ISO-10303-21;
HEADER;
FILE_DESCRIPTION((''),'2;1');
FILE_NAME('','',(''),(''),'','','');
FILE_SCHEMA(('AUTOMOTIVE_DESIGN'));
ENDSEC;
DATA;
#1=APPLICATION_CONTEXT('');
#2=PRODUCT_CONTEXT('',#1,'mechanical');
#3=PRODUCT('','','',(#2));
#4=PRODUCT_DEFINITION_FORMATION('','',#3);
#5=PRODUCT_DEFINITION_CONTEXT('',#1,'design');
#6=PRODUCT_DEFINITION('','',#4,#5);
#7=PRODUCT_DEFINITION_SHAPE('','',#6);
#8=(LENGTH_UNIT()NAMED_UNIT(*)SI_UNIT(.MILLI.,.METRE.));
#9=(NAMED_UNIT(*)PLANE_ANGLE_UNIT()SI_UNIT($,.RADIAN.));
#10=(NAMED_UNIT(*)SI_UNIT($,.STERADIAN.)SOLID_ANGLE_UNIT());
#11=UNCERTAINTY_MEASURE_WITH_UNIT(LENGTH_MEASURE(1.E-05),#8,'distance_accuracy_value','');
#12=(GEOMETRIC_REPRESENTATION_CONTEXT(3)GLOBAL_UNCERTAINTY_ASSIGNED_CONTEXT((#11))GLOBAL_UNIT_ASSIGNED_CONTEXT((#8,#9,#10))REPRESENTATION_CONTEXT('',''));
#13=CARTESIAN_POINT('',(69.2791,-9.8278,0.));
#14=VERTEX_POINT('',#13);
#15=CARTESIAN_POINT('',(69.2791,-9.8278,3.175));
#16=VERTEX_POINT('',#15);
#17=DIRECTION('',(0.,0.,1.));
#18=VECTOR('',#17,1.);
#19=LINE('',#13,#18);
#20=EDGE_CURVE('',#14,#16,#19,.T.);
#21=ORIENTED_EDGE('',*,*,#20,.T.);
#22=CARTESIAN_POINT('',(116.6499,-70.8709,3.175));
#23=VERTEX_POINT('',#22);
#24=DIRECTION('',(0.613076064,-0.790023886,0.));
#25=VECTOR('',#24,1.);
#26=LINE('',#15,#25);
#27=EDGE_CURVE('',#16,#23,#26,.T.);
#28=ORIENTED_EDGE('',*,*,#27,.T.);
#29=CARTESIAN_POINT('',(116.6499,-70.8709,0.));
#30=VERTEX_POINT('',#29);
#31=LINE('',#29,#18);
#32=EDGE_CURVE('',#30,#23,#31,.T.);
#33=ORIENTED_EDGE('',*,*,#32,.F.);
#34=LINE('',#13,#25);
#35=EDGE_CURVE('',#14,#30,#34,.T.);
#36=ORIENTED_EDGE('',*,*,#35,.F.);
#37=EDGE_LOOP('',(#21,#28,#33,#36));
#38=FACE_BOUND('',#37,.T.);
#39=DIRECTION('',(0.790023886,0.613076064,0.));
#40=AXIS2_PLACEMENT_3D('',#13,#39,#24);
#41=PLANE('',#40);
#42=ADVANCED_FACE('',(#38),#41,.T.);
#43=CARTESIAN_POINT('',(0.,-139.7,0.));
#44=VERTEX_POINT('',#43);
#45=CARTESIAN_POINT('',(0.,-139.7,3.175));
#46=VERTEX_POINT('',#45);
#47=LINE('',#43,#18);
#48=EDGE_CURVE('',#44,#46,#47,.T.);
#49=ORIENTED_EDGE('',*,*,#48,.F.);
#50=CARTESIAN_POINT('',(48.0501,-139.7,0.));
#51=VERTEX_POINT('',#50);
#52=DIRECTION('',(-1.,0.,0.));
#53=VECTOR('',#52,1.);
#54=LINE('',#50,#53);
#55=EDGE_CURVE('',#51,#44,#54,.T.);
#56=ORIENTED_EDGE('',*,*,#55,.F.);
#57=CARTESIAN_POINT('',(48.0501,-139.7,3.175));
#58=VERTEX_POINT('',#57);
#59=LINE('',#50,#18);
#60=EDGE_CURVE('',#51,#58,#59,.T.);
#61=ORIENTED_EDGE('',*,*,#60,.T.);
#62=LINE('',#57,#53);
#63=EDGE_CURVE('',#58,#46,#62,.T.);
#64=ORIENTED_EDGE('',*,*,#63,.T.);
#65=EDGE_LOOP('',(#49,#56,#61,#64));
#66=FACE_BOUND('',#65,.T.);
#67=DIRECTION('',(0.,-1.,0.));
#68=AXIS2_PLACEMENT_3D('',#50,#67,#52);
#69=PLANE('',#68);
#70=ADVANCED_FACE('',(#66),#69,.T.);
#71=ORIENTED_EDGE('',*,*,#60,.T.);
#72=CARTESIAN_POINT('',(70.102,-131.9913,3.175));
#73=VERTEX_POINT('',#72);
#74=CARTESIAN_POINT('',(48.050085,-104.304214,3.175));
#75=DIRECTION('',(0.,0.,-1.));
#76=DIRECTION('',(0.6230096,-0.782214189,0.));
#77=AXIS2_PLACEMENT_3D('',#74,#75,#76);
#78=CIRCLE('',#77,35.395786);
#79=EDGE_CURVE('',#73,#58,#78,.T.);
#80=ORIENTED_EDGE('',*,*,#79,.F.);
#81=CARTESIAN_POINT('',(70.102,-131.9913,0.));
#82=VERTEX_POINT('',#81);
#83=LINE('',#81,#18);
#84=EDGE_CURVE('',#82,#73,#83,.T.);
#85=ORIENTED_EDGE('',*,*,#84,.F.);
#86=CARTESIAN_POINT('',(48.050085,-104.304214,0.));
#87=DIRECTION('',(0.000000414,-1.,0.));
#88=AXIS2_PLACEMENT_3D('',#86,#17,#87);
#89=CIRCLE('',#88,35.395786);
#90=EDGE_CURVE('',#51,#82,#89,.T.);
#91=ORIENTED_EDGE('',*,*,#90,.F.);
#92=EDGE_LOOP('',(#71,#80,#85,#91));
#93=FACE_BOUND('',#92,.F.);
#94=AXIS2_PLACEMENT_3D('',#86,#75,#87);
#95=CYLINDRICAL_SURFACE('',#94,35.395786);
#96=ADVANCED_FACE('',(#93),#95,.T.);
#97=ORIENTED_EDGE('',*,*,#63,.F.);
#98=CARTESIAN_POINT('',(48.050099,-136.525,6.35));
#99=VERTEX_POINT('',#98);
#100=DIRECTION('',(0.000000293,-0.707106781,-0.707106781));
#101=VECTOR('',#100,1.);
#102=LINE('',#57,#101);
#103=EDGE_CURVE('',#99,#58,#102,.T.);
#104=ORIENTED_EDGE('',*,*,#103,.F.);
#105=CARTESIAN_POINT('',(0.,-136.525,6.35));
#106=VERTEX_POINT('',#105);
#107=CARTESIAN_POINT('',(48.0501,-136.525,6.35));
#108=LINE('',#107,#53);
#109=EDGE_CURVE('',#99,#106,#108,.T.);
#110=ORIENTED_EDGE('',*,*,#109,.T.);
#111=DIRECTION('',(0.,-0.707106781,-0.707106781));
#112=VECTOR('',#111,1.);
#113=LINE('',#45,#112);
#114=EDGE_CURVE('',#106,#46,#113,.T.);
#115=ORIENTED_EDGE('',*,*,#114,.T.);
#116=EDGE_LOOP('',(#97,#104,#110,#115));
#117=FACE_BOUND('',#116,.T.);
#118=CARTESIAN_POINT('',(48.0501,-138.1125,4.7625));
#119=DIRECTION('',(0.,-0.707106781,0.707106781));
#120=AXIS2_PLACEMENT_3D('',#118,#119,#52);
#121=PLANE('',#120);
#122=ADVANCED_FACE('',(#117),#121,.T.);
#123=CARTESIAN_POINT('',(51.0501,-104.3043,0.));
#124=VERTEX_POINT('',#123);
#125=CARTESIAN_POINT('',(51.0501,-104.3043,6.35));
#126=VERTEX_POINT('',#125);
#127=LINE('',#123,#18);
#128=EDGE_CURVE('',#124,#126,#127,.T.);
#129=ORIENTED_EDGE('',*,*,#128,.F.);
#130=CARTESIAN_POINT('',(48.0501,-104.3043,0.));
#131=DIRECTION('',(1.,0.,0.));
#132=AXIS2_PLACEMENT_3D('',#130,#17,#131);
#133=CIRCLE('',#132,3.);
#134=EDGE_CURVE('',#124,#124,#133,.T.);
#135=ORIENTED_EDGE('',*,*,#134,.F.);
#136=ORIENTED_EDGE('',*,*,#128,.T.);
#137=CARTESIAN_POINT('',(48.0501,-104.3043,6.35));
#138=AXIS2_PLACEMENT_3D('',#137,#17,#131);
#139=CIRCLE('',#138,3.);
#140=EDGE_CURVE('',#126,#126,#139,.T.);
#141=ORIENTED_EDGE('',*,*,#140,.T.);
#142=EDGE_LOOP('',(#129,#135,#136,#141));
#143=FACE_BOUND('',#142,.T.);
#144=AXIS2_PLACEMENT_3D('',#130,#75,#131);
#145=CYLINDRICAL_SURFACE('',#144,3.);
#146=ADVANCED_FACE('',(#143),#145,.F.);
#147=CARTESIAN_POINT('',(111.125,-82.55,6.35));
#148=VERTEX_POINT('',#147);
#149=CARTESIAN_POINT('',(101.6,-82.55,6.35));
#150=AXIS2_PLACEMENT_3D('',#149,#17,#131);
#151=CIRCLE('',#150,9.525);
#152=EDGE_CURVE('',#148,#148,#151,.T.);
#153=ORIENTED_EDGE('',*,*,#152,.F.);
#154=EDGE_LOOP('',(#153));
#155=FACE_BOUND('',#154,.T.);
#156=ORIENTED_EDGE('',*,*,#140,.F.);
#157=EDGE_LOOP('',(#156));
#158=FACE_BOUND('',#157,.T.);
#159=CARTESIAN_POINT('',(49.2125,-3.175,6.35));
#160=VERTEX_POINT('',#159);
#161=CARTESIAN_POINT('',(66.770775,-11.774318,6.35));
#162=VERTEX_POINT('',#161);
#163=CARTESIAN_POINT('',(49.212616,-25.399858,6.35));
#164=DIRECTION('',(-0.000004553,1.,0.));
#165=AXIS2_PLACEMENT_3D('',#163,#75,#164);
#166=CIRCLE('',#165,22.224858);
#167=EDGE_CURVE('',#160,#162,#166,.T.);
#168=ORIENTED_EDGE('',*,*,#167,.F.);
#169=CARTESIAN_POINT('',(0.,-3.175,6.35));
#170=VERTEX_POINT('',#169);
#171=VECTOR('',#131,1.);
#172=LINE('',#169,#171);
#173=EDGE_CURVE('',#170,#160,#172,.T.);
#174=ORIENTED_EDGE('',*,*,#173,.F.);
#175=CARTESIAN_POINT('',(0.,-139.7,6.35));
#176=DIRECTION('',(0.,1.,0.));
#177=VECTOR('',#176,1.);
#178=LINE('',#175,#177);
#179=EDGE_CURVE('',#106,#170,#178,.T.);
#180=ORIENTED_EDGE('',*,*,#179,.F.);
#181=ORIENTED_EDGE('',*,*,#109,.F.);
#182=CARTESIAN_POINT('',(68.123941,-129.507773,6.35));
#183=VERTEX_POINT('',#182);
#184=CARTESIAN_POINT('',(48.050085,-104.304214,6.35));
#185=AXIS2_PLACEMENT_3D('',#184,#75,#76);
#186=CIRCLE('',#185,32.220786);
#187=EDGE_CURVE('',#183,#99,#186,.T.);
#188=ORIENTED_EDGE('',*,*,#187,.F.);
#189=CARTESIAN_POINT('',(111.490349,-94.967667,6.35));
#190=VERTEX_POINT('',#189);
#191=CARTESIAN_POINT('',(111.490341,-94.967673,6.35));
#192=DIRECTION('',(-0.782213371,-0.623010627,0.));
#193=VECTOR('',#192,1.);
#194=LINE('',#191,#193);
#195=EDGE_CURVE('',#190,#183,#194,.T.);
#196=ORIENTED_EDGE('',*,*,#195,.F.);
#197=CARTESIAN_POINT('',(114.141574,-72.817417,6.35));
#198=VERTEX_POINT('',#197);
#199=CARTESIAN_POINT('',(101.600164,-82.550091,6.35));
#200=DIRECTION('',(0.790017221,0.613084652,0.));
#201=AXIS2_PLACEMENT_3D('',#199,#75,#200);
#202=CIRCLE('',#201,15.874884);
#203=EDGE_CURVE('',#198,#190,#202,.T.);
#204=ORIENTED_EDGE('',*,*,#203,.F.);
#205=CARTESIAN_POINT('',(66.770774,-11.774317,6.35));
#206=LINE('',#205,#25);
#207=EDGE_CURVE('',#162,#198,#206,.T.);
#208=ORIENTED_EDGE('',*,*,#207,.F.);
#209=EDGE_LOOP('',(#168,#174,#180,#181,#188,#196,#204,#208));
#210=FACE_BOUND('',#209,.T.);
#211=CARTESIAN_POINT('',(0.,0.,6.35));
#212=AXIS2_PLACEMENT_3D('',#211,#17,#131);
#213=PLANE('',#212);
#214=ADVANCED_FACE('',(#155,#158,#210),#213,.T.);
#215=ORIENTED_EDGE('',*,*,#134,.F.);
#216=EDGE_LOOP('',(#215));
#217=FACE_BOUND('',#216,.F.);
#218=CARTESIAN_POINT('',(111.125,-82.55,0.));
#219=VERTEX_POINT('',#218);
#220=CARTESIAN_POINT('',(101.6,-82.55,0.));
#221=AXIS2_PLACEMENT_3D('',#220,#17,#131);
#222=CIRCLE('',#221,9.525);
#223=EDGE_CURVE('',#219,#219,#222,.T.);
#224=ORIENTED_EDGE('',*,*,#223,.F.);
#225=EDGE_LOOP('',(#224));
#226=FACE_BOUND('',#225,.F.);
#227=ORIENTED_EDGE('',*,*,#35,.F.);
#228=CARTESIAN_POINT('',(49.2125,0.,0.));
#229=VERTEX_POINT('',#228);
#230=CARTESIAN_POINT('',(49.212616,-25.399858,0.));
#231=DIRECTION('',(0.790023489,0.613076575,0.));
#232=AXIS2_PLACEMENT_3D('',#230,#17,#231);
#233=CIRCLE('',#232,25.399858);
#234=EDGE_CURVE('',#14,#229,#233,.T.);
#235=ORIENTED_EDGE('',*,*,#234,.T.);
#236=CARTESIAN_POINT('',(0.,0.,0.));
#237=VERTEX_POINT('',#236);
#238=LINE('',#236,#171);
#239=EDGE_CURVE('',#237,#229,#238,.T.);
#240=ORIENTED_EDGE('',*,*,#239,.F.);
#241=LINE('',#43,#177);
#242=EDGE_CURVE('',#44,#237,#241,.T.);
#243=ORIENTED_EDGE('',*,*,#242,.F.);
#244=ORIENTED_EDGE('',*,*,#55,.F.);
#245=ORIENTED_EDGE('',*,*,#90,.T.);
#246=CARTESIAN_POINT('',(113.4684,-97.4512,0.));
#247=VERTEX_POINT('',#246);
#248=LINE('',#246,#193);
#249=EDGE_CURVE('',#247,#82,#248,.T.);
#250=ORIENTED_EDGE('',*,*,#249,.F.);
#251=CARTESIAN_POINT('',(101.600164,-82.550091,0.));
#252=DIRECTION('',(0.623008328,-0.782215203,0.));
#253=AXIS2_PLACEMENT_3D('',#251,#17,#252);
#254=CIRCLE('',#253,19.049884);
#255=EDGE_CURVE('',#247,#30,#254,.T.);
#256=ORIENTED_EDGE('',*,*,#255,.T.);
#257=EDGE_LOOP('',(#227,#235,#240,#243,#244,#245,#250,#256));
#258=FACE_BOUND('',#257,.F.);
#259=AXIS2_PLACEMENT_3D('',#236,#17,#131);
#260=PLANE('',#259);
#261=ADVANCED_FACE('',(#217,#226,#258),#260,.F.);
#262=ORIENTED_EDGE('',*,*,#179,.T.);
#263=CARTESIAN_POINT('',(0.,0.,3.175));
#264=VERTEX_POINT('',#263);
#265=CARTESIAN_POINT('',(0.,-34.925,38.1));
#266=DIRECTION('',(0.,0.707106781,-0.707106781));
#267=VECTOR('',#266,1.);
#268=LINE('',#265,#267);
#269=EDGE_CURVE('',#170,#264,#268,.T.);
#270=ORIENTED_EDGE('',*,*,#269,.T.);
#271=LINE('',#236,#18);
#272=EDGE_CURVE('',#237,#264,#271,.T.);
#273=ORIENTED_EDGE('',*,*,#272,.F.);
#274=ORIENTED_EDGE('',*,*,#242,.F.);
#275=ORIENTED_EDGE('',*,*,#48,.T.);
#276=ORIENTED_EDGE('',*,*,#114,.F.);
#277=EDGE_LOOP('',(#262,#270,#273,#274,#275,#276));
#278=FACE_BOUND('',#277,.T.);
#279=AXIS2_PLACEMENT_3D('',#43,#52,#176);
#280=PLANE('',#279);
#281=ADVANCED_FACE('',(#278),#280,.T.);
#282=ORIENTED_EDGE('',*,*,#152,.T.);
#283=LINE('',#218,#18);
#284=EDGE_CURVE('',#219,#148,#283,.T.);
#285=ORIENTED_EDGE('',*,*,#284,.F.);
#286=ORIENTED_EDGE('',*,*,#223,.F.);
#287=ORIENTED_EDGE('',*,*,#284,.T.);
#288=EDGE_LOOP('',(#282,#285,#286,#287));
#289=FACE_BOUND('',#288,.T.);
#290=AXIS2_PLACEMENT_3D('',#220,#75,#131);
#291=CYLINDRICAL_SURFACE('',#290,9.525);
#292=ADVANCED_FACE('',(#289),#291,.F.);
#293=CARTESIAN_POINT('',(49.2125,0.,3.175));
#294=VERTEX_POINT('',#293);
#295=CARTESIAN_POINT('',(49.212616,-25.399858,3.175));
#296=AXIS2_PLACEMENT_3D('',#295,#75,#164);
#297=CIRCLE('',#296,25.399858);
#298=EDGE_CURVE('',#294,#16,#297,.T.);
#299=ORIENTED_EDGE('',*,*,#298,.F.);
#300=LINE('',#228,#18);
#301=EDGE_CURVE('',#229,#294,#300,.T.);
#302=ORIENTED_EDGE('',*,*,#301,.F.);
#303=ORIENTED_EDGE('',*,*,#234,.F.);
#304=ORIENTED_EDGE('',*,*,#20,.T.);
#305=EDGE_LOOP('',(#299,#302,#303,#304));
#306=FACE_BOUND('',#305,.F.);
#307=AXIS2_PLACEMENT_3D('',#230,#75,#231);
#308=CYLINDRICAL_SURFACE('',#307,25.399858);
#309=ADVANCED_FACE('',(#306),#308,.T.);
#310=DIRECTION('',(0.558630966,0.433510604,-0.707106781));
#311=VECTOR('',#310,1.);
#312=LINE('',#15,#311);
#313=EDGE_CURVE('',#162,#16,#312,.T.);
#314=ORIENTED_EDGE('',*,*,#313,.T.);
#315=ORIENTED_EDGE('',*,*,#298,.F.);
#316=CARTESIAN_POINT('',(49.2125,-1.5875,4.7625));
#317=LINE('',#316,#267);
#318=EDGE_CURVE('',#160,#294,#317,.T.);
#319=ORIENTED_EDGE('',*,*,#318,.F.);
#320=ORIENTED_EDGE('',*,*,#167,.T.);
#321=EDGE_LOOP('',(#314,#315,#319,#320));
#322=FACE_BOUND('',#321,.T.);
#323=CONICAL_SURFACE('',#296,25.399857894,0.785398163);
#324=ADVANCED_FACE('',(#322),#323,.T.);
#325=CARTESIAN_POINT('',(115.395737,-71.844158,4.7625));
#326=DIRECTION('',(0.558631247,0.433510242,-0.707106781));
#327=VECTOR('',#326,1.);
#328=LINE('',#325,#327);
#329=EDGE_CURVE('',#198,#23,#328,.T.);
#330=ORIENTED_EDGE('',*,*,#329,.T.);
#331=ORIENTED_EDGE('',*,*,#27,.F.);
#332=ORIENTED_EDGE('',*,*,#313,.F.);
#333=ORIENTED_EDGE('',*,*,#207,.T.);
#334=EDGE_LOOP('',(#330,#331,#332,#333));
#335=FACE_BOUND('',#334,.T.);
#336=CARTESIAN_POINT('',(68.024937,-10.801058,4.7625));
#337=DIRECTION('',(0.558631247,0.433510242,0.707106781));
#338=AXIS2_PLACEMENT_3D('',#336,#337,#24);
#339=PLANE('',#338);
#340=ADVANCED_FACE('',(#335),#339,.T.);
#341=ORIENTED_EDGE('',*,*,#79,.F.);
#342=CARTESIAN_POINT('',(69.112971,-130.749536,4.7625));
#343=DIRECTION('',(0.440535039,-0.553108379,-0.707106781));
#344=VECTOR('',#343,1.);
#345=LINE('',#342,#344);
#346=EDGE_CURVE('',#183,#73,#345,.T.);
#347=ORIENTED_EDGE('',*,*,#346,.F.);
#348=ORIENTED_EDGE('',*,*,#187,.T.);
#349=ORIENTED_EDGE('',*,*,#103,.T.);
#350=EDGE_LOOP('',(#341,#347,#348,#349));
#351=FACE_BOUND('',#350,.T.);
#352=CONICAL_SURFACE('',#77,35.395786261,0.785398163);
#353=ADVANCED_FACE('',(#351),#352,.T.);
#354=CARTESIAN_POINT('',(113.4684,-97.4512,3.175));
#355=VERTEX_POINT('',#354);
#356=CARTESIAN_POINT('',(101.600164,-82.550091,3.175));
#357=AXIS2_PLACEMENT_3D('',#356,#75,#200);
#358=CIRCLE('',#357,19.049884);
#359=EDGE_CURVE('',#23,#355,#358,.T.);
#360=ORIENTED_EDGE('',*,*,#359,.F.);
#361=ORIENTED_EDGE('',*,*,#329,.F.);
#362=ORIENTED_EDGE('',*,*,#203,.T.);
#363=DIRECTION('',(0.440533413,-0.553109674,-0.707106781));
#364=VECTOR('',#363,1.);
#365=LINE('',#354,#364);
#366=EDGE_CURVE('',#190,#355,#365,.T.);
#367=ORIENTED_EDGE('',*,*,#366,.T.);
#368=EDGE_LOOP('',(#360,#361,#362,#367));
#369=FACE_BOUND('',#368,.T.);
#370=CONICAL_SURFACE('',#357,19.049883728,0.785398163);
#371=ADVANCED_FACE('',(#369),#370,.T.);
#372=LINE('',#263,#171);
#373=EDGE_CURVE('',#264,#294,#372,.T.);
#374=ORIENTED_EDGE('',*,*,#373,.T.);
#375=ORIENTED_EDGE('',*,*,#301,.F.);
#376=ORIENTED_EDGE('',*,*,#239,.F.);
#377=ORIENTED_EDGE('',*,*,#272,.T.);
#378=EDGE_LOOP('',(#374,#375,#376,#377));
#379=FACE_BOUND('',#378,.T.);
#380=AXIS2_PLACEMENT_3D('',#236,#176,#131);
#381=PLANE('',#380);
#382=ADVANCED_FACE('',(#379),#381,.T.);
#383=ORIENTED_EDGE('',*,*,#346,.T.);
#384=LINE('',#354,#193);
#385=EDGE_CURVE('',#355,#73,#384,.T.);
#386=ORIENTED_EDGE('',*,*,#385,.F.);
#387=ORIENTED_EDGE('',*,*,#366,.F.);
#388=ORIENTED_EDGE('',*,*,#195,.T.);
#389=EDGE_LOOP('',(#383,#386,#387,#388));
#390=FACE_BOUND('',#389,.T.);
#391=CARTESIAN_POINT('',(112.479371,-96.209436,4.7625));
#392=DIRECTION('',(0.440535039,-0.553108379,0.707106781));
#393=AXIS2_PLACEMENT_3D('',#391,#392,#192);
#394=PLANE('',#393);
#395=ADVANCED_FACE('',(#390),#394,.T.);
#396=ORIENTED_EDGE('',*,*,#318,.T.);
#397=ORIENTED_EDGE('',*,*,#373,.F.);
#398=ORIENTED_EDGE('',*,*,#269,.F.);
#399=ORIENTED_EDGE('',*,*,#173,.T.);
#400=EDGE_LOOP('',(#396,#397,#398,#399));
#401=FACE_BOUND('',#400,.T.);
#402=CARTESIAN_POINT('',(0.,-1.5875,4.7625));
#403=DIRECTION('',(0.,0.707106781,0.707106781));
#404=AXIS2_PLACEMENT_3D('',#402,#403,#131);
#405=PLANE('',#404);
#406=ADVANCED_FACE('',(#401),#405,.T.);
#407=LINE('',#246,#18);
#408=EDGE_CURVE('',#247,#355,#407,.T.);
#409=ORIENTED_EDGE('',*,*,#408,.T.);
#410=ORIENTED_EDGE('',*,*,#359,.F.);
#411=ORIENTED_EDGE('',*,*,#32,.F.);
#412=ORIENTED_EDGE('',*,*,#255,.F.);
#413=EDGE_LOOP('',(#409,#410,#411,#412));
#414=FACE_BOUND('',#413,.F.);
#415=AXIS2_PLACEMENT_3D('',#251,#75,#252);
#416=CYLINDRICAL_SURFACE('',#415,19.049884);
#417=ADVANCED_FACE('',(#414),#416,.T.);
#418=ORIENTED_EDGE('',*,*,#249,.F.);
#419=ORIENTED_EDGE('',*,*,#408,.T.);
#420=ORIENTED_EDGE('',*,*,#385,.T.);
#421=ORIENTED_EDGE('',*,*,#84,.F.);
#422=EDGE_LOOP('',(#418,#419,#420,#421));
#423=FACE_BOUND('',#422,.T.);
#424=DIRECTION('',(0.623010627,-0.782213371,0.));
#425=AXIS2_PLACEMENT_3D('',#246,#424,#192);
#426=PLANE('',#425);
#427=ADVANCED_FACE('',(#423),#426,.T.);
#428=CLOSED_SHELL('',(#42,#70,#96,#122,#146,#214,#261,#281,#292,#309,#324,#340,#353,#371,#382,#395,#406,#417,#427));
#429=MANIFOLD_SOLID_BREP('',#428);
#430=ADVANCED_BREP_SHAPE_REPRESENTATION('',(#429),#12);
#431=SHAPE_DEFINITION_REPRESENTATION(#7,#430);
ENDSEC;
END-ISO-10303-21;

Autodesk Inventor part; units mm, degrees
ref_plane "YZ Plane" through (0, 0, 0) normal (1, 0, 0) x (0, 1, 0)
ref_plane "XZ Plane" through (0, 0, 0) normal (0, 1, 0) x (-1, 0, 0)
ref_plane "XY Plane" through (0, 0, 0) normal (0, 0, 1) x (1, 0, 0)
sketch "Sketch1" plane through (0, 0, 0) normal (0, 0, 1) x (1, 0, 0)
  line L0 (0, 0) -> (49.2125, 0)
  arc A0 (69.2791, -9.8278) -> (49.2125, 0) centre (49.2125, -25.4) ccw
  line L1 (69.2791, -9.8278) -> (116.6499, -70.8709)
  arc A1 (113.4684, -97.4512) -> (116.6499, -70.8709) centre (101.6, -82.55) ccw
  line L2 (113.4684, -97.4512) -> (70.102, -131.9913)
  arc A2 (48.0501, -139.7) -> (70.102, -131.9913) centre (48.0501, -104.3043) ccw
  line L3 (48.0501, -139.7) -> (0, -139.7)
  line L4 (0, -139.7) -> (0, 0)
  line L5 (0, -139.7) -> (12.7, -139.7) construction
  circle A3 centre (101.6, -82.55) radius 16 construction
  circle A4 centre (48.0501, -104.3043) radius 7.025 construction
  arc A5 (33.057, -35.4) -> (32.0953, -33.6463) centre (49.2125, -25.4) ccw construction
  circle A6 centre (38.1, -63.5) radius 17.907 construction
  circle A7 centre (71.7198, -40.8503) radius 7.025 construction
  circle A8 centre (38.1, -63.5) radius 19.05
  circle A9 centre (48.0501, -104.3043) radius 3
  circle A10 centre (101.6, -82.55) radius 9.525
  dimension "d0" = 19.05
  dimension "d1" = 38.1
  dimension "d4" = 6
  dimension "d5" = 19.05
extrude "Extrusion1" add sketch "Sketch1" along normal blind 6.35 contours L0 A0 L1 A1 L2 A2 L3 L4 | A8
chamfer "Chamfer1" distance 3.175 angle 45 7 edges at (92.9645, -40.3494, 6.35) (60.3845, -2.5889, 6.35) (24.6062, 0, 6.35) (120.515, -84.8141, 6.35) (91.7852, -114.7212, 6.35) (59.7304, -137.7173, 6.35) (24.0251, -139.7, 6.35)
properties part number "baseOuter" material "Aluminum 6061"
